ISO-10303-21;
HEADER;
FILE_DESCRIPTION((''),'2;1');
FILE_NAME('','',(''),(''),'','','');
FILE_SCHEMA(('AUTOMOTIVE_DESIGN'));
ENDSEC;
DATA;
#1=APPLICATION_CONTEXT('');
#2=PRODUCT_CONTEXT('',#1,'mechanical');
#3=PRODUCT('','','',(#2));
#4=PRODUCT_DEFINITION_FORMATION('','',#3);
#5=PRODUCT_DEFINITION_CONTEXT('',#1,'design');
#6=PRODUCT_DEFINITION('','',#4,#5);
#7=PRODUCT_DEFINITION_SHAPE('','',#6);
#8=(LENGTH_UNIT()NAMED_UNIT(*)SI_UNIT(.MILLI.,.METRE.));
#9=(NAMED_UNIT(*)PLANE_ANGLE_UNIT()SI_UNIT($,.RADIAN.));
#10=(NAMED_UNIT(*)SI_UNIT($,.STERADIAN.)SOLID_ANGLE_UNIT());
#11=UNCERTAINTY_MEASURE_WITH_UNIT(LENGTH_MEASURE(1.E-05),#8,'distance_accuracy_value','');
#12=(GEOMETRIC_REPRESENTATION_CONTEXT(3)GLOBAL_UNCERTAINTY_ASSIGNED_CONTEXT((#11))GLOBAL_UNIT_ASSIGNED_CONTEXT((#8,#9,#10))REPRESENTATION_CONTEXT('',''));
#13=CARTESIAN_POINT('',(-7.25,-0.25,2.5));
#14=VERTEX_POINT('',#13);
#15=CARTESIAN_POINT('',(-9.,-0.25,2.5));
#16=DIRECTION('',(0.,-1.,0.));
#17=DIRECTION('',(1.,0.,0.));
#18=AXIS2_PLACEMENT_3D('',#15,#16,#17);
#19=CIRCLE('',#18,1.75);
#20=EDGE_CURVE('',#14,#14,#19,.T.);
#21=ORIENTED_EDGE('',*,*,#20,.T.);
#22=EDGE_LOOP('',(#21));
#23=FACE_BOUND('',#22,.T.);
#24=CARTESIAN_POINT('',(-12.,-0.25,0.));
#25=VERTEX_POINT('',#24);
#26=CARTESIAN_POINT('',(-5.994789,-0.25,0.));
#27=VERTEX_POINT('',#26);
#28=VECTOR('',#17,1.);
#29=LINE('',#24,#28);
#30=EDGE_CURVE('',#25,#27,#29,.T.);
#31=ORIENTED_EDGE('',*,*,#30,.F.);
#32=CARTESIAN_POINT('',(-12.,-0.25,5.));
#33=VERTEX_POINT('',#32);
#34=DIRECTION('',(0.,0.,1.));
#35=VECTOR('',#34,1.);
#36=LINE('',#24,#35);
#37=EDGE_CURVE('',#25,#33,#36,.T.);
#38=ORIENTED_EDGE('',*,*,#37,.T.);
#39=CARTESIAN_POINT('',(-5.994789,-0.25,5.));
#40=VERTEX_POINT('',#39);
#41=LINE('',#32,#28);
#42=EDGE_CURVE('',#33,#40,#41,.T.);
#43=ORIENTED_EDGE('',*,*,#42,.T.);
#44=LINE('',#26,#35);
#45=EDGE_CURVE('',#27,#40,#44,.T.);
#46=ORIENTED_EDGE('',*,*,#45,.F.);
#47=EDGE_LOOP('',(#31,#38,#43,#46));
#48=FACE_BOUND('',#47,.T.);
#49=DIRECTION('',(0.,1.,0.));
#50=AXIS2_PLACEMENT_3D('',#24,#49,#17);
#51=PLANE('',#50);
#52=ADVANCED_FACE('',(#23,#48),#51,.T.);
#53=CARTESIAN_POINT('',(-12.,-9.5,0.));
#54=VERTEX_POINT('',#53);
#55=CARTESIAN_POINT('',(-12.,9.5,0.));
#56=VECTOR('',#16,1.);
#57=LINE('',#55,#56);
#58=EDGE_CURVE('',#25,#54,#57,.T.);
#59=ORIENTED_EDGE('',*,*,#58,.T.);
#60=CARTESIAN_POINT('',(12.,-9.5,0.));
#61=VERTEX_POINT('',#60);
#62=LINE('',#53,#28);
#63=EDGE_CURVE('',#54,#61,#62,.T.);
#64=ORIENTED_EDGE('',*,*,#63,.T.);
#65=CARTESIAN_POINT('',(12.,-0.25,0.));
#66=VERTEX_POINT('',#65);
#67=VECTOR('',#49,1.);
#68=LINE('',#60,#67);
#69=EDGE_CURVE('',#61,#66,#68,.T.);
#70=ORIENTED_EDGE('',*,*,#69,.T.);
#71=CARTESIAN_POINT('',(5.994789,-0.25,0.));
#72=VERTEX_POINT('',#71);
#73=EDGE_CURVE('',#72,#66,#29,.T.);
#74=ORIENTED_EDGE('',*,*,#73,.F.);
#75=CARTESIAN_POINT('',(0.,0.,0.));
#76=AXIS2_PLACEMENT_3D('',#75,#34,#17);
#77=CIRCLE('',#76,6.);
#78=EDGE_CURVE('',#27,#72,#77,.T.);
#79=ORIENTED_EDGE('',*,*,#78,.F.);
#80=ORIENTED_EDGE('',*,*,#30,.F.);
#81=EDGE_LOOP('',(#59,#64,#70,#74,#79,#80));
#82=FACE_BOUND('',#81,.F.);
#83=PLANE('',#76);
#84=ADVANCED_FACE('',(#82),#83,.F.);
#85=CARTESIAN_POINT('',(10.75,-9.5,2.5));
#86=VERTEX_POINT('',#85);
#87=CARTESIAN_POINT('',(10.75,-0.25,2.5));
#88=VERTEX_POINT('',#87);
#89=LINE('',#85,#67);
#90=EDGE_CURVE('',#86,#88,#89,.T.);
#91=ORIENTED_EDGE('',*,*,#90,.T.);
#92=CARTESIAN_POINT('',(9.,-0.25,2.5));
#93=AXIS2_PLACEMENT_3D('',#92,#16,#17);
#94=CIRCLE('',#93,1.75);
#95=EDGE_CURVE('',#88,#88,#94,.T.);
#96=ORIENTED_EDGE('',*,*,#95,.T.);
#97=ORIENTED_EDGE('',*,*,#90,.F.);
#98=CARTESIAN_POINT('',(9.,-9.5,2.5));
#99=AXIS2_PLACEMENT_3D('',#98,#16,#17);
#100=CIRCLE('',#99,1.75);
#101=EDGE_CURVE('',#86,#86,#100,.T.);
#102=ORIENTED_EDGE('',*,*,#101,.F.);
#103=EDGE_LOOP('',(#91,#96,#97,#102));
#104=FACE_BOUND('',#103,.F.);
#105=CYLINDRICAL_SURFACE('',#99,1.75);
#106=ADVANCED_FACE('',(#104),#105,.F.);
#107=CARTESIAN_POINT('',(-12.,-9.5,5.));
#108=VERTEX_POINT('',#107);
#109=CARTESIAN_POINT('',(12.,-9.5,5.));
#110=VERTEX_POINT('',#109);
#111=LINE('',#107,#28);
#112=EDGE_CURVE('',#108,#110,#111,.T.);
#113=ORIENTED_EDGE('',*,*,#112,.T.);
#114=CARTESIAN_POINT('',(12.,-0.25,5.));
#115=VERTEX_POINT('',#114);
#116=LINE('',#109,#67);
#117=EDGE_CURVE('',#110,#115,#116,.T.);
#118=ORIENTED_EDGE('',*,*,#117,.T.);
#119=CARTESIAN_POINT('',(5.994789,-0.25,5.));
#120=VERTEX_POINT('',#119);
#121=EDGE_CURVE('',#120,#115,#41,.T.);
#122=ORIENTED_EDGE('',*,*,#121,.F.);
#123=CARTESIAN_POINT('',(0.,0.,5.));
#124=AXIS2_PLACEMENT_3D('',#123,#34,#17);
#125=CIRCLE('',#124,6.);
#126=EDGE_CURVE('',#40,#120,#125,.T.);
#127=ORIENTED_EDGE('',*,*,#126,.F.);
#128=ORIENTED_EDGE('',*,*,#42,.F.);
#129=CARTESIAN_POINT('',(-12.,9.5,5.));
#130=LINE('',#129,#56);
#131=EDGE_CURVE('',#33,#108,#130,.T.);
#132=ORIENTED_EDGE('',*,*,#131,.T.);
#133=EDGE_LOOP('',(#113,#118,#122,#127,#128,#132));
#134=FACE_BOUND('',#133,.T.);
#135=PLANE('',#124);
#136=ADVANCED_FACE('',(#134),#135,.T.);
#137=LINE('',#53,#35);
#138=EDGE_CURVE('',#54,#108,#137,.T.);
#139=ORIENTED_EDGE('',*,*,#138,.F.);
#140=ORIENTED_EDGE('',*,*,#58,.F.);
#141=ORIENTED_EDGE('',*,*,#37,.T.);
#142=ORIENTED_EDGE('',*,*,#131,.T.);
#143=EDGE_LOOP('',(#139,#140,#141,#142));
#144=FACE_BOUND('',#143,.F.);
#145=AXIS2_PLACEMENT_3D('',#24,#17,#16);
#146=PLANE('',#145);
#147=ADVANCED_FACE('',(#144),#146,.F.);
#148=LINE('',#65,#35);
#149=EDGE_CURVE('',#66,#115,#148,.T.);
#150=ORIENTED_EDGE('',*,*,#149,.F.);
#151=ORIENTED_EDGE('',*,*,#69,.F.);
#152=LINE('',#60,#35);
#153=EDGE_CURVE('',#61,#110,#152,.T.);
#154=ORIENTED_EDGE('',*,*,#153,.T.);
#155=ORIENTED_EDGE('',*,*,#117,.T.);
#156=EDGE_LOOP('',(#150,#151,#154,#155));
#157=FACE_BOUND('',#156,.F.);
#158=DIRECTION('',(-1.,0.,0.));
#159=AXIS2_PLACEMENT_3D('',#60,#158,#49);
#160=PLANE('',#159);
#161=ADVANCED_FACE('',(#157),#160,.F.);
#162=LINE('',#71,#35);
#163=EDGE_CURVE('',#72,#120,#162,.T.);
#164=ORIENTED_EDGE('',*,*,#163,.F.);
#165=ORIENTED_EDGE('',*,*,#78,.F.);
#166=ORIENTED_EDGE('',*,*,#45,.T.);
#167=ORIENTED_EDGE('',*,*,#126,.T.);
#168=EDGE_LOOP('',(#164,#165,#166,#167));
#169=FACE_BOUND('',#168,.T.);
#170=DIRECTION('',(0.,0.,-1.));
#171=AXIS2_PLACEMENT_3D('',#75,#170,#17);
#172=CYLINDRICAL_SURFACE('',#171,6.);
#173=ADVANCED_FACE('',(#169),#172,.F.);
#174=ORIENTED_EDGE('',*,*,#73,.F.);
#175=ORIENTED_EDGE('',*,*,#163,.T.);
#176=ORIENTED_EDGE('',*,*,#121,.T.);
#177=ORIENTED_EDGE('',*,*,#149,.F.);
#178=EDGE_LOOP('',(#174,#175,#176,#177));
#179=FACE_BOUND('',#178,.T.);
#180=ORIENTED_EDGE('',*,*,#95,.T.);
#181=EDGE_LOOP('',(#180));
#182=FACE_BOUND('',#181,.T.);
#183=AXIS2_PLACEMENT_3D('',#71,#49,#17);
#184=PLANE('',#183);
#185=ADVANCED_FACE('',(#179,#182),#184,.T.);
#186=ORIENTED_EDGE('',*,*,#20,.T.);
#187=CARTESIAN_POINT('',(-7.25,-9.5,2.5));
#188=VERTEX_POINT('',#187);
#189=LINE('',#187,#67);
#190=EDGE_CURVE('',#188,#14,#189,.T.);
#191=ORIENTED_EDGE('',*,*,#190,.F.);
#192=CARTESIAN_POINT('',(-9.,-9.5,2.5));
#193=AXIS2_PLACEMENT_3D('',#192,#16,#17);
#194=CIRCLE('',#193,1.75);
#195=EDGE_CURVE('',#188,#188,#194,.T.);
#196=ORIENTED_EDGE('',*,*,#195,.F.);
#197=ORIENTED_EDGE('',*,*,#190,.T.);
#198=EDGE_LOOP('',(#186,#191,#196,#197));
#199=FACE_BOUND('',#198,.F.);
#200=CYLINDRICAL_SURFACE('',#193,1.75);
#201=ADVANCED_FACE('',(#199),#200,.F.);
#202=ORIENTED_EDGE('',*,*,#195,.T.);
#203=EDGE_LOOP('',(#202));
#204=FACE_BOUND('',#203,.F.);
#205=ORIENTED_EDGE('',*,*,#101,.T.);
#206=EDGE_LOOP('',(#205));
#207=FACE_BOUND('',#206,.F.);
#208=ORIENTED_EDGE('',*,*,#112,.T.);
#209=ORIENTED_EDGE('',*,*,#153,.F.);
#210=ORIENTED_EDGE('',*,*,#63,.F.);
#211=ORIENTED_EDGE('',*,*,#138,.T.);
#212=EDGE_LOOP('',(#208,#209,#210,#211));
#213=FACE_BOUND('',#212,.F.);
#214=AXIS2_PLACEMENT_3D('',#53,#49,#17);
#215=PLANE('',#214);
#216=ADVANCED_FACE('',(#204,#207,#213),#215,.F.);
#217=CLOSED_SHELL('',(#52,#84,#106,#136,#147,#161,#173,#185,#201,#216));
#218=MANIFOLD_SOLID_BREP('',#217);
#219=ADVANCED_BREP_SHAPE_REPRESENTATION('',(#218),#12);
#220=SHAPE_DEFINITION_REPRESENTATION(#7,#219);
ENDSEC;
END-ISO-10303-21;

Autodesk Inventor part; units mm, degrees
ref_plane "YZ Plane" through (0, 0, 0) normal (1, 0, 0) x (0, 1, 0)
ref_plane "XZ Plane" through (0, 0, 0) normal (0, 1, 0) x (-1, 0, 0)
ref_plane "XY Plane" through (0, 0, 0) normal (0, 0, 1) x (1, 0, 0)
sketch "Sketch1" plane through (0, 0, 0) normal (0, 0, 1) x (1, 0, 0)
  circle A0 centre (0, 0) radius 6
  line L0 (-12, -9.5) -> (12, -9.5)
  line L1 (12, -9.5) -> (12, 9.5)
  line L2 (12, 9.5) -> (-12, 9.5)
  line L3 (-12, 9.5) -> (-12, -9.5)
  line L4 (-12, -9.5) -> (12, 9.5) construction
  line L5 (12, -9.5) -> (-12, 9.5) construction
  line L6 (-12, -0.25) -> (12, -0.25)
  point P0 (5.9948, -0.25)
  point P1 (-5.9948, -0.25)
  dimension "d0" = 12
  dimension "d1" = 24
  dimension "d2" = 19
  dimension "d3" = 9.25
extrude "Extrusion1" add sketch "Sketch1" along normal blind 5 contours A0 L6 L1 L0 L3
sketch "Sketch2" plane through (-12, -9.5, 0) normal (0, -1, 0) x (1, 0, 0)
  line L0 (0, 0) -> (0, 5) projected
  line L1 (0, 2.5) -> (24, 2.5) construction
  line L2 (24, 0) -> (24, 5) projected
  circle A0 centre (21, 2.5) radius 1.75
  circle A1 centre (3, 2.5) radius 1.75
  point P0 (12, 0)
  point P1 (12, 2.5)
  dimension "d6" = 3.5
  dimension "d7" = 3.5
  dimension "d8" = 9
  dimension "d9" = 9
extrude "Extrusion2" cut sketch "Sketch2" against normal through all
equation "\"d9\" = d8"
properties part number "16mm_Tube_Connecotor_Holybro" material "ABS Plastic"
